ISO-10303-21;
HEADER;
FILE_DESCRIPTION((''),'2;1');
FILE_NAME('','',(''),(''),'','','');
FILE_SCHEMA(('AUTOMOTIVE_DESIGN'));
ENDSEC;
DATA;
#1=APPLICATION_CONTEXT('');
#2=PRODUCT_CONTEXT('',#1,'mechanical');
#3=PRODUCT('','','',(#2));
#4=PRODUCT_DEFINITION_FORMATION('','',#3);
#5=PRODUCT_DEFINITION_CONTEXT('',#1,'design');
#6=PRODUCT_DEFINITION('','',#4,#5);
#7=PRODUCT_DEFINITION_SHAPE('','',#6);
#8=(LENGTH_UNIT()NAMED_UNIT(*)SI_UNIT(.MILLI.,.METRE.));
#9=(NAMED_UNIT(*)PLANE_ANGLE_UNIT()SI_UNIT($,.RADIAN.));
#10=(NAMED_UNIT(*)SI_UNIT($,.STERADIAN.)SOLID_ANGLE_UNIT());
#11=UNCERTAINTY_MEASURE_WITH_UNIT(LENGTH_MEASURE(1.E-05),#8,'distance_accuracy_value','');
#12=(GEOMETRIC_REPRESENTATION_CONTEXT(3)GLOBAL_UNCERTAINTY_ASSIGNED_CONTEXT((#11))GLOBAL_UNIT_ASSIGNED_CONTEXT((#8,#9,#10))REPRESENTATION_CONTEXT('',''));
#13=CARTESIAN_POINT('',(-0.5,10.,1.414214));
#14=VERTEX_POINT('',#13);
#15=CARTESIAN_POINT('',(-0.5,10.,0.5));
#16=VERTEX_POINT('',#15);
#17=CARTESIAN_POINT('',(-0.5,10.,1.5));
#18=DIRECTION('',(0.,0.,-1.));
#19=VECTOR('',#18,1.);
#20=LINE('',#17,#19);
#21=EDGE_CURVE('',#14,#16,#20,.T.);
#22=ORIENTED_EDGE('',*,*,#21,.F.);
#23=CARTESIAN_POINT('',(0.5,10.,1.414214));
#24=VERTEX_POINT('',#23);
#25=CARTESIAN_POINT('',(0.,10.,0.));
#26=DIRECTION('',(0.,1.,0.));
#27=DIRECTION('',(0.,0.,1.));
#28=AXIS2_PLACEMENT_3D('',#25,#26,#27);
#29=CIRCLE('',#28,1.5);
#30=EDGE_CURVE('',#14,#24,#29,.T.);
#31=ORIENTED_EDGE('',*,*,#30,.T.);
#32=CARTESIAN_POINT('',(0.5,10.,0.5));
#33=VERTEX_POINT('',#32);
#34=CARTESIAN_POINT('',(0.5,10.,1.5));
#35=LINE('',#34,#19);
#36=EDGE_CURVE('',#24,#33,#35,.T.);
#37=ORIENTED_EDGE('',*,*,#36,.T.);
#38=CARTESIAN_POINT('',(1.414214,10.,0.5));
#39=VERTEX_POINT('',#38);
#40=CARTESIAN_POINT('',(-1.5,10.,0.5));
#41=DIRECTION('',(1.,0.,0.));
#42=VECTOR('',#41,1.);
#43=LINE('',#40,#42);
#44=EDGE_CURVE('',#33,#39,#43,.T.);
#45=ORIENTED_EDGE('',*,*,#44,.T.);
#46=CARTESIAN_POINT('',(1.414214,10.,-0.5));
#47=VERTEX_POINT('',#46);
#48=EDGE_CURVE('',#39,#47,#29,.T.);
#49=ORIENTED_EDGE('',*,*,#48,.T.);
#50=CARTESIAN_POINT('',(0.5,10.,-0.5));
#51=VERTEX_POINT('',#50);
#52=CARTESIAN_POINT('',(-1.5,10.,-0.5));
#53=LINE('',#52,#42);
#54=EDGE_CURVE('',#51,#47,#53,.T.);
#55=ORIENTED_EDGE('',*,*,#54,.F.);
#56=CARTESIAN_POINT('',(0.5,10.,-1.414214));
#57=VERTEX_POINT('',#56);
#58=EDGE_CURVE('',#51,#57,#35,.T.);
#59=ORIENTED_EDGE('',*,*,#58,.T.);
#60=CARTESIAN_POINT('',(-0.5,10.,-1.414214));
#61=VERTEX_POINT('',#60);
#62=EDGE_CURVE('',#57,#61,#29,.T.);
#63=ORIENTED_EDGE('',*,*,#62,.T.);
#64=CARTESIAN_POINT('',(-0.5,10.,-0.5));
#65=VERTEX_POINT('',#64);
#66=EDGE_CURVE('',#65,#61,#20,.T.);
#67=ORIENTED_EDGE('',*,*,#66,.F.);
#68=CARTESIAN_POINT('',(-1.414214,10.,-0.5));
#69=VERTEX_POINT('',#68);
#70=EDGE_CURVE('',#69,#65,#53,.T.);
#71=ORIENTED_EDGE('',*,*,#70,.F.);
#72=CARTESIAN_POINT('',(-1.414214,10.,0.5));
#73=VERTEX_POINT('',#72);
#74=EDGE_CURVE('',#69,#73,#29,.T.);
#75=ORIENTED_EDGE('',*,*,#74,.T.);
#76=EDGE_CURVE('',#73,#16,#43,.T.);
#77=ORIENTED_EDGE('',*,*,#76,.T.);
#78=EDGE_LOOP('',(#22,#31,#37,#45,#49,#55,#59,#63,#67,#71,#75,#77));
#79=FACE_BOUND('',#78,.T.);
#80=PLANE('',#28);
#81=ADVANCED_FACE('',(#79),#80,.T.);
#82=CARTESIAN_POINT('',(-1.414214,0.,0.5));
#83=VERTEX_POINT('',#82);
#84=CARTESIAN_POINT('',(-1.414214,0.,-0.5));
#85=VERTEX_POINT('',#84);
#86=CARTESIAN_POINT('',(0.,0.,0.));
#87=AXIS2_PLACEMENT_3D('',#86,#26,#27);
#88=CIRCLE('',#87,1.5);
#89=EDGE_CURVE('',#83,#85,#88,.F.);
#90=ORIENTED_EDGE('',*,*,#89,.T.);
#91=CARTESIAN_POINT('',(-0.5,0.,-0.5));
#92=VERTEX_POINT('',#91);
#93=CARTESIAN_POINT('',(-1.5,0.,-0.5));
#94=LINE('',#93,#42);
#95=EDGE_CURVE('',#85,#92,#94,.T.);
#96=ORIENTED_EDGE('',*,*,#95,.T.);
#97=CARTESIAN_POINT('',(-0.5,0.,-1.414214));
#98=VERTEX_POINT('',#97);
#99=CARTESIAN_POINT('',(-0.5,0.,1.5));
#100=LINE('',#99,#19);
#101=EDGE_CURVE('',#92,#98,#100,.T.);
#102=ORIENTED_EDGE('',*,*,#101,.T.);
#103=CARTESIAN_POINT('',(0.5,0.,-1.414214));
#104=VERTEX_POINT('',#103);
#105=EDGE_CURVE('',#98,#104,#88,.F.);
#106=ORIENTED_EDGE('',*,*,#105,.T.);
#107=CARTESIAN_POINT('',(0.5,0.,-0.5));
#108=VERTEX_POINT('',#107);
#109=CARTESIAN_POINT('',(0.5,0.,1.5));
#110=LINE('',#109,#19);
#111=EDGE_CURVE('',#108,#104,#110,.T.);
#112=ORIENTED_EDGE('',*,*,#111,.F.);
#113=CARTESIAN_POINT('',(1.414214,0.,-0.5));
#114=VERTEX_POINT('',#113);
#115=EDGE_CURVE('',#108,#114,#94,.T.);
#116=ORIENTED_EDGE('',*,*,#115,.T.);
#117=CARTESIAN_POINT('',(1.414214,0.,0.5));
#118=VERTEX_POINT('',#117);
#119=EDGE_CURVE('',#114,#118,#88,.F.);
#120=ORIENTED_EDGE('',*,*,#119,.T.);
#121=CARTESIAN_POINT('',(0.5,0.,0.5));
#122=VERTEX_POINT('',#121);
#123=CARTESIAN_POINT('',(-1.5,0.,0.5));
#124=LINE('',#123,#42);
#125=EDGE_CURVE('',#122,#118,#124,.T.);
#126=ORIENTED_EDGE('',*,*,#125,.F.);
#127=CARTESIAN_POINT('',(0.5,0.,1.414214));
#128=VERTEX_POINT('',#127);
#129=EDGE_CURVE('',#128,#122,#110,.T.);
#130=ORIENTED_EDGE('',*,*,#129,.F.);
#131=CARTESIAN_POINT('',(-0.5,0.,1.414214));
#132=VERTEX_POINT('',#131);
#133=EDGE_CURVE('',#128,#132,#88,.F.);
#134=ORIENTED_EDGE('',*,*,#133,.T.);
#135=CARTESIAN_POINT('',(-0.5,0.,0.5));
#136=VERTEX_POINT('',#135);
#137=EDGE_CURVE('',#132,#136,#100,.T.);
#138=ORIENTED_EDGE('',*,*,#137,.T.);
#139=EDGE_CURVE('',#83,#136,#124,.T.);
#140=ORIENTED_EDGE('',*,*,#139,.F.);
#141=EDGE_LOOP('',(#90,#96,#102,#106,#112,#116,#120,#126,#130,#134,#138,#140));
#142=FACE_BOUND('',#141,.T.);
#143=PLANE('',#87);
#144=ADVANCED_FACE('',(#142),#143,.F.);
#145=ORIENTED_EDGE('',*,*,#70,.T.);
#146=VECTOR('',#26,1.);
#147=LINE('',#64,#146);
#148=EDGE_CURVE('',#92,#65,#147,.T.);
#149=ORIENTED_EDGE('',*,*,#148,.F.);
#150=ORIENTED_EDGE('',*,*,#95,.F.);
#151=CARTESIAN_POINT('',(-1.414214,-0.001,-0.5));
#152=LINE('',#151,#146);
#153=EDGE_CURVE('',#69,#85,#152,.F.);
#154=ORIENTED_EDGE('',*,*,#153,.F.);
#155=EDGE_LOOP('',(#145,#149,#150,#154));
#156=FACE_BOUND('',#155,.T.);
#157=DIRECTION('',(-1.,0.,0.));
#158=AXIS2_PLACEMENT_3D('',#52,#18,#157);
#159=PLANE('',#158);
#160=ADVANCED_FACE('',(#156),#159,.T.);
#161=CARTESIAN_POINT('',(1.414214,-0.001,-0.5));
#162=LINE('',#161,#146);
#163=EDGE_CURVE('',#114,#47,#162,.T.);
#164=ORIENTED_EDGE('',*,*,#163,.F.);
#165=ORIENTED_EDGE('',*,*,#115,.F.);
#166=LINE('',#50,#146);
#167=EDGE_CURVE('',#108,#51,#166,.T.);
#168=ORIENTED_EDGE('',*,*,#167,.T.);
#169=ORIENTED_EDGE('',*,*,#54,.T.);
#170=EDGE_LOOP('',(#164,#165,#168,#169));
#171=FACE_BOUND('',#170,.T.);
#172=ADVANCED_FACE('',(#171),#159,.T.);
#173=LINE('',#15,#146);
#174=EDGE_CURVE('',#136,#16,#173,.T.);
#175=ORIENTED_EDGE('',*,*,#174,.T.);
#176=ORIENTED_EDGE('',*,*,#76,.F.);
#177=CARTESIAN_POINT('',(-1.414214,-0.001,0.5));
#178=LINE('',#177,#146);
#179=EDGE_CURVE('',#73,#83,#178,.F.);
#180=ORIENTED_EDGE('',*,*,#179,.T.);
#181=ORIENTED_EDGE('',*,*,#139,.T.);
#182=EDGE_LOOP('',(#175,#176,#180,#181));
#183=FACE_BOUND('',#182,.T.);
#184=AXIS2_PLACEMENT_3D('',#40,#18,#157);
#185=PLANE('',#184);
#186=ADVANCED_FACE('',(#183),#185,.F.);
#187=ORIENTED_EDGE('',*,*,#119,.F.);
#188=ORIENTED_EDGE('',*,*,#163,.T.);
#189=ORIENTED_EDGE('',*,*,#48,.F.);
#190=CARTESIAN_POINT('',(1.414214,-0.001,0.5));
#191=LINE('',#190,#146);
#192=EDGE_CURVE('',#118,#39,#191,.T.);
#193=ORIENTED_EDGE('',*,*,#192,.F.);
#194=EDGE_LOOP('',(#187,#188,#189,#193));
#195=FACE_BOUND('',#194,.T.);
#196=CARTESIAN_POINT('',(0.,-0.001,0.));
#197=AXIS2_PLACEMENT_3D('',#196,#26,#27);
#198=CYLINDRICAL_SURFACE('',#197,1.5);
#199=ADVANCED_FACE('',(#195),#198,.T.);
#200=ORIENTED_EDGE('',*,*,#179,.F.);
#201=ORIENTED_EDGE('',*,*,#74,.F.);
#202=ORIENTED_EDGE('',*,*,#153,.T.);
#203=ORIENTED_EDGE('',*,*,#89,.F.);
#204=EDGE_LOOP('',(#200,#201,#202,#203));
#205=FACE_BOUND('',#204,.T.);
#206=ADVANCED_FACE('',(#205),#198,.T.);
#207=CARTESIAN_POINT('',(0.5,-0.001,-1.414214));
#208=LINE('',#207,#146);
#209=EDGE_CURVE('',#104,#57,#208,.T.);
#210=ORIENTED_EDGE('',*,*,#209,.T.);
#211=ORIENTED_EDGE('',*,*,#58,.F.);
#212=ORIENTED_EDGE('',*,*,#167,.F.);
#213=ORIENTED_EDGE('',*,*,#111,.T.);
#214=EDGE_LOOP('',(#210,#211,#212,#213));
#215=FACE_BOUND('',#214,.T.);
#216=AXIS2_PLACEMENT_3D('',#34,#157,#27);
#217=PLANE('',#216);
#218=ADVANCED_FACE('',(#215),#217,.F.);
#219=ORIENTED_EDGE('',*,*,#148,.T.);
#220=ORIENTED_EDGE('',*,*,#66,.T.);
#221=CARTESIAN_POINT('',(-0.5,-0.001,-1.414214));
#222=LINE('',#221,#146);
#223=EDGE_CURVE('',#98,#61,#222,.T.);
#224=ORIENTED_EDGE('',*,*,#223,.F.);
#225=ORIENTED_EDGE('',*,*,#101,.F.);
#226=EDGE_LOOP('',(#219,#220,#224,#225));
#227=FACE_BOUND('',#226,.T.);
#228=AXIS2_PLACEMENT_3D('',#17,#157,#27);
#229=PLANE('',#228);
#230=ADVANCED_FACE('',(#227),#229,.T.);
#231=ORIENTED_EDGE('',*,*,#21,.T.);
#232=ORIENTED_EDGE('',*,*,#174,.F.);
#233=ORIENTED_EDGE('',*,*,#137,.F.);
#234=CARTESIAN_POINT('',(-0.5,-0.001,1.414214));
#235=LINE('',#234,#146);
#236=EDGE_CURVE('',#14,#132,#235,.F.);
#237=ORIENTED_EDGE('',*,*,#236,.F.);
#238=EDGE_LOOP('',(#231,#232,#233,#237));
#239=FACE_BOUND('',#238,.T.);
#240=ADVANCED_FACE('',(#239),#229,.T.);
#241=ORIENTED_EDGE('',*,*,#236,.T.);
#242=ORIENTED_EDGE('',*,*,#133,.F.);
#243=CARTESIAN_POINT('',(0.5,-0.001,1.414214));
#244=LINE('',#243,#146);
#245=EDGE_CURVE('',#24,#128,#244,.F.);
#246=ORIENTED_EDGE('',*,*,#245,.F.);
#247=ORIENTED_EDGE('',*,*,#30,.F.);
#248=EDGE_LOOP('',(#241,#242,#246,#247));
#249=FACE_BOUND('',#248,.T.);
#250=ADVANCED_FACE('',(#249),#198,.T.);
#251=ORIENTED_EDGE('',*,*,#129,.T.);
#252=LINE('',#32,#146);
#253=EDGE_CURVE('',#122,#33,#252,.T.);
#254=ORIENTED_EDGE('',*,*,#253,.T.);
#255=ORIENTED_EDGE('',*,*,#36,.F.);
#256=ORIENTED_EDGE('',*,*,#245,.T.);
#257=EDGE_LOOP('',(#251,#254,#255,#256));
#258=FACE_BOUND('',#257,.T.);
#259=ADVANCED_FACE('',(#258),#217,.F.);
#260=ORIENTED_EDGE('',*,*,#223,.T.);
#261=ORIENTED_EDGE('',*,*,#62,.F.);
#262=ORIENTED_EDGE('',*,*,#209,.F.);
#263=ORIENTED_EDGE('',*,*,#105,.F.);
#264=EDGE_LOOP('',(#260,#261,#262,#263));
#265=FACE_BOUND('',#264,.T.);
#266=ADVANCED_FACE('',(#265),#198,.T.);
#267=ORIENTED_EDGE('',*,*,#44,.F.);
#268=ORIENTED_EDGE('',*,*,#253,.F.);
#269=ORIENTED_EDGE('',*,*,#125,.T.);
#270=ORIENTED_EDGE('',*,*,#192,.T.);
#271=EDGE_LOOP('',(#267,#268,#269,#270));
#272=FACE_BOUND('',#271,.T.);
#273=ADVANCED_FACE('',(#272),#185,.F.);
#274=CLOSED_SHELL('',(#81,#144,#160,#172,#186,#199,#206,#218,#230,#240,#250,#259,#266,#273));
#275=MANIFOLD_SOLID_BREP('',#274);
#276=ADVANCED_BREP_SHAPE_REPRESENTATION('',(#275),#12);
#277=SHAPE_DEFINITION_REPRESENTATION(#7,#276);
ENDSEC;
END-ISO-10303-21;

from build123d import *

# Parameters (mm, degrees)
SKETCH1_W           = 3
SKETCH1_H           = 1
SKETCH1_W_2         = 1
SKETCH1_H_2         = 3
BOSS_EXTRUDE1_DEPTH = 10
SKETCH2_OUTSIDE_W   = 7.172
SKETCH2_OUTSIDE_H   = 7.172
SKETCH2_OUTSIDE_R   = 1.5
CUT_EXTRUDE1_DEPTH  = 10


with BuildPart() as part:
    # Sketch1 → Boss-Extrude1 (new body)
    with BuildSketch(Plane(origin=(0, 0, 0), x_dir=(1, 0, 0), z_dir=(0, 1, 0))):
        Rectangle(SKETCH1_W, SKETCH1_H)
        Rectangle(SKETCH1_W_2, SKETCH1_H_2)
    extrude(amount=BOSS_EXTRUDE1_DEPTH)

    # Sketch2 outside → Cut-Extrude1 (cut)
    with BuildSketch(Plane(origin=(0, 10, 0), x_dir=(1, 0, 0), z_dir=(0, 1, 0))):
        Rectangle(SKETCH2_OUTSIDE_W, SKETCH2_OUTSIDE_H)
        Circle(SKETCH2_OUTSIDE_R, mode=Mode.SUBTRACT)
    extrude(amount=-CUT_EXTRUDE1_DEPTH, mode=Mode.SUBTRACT)


solid = part.part
